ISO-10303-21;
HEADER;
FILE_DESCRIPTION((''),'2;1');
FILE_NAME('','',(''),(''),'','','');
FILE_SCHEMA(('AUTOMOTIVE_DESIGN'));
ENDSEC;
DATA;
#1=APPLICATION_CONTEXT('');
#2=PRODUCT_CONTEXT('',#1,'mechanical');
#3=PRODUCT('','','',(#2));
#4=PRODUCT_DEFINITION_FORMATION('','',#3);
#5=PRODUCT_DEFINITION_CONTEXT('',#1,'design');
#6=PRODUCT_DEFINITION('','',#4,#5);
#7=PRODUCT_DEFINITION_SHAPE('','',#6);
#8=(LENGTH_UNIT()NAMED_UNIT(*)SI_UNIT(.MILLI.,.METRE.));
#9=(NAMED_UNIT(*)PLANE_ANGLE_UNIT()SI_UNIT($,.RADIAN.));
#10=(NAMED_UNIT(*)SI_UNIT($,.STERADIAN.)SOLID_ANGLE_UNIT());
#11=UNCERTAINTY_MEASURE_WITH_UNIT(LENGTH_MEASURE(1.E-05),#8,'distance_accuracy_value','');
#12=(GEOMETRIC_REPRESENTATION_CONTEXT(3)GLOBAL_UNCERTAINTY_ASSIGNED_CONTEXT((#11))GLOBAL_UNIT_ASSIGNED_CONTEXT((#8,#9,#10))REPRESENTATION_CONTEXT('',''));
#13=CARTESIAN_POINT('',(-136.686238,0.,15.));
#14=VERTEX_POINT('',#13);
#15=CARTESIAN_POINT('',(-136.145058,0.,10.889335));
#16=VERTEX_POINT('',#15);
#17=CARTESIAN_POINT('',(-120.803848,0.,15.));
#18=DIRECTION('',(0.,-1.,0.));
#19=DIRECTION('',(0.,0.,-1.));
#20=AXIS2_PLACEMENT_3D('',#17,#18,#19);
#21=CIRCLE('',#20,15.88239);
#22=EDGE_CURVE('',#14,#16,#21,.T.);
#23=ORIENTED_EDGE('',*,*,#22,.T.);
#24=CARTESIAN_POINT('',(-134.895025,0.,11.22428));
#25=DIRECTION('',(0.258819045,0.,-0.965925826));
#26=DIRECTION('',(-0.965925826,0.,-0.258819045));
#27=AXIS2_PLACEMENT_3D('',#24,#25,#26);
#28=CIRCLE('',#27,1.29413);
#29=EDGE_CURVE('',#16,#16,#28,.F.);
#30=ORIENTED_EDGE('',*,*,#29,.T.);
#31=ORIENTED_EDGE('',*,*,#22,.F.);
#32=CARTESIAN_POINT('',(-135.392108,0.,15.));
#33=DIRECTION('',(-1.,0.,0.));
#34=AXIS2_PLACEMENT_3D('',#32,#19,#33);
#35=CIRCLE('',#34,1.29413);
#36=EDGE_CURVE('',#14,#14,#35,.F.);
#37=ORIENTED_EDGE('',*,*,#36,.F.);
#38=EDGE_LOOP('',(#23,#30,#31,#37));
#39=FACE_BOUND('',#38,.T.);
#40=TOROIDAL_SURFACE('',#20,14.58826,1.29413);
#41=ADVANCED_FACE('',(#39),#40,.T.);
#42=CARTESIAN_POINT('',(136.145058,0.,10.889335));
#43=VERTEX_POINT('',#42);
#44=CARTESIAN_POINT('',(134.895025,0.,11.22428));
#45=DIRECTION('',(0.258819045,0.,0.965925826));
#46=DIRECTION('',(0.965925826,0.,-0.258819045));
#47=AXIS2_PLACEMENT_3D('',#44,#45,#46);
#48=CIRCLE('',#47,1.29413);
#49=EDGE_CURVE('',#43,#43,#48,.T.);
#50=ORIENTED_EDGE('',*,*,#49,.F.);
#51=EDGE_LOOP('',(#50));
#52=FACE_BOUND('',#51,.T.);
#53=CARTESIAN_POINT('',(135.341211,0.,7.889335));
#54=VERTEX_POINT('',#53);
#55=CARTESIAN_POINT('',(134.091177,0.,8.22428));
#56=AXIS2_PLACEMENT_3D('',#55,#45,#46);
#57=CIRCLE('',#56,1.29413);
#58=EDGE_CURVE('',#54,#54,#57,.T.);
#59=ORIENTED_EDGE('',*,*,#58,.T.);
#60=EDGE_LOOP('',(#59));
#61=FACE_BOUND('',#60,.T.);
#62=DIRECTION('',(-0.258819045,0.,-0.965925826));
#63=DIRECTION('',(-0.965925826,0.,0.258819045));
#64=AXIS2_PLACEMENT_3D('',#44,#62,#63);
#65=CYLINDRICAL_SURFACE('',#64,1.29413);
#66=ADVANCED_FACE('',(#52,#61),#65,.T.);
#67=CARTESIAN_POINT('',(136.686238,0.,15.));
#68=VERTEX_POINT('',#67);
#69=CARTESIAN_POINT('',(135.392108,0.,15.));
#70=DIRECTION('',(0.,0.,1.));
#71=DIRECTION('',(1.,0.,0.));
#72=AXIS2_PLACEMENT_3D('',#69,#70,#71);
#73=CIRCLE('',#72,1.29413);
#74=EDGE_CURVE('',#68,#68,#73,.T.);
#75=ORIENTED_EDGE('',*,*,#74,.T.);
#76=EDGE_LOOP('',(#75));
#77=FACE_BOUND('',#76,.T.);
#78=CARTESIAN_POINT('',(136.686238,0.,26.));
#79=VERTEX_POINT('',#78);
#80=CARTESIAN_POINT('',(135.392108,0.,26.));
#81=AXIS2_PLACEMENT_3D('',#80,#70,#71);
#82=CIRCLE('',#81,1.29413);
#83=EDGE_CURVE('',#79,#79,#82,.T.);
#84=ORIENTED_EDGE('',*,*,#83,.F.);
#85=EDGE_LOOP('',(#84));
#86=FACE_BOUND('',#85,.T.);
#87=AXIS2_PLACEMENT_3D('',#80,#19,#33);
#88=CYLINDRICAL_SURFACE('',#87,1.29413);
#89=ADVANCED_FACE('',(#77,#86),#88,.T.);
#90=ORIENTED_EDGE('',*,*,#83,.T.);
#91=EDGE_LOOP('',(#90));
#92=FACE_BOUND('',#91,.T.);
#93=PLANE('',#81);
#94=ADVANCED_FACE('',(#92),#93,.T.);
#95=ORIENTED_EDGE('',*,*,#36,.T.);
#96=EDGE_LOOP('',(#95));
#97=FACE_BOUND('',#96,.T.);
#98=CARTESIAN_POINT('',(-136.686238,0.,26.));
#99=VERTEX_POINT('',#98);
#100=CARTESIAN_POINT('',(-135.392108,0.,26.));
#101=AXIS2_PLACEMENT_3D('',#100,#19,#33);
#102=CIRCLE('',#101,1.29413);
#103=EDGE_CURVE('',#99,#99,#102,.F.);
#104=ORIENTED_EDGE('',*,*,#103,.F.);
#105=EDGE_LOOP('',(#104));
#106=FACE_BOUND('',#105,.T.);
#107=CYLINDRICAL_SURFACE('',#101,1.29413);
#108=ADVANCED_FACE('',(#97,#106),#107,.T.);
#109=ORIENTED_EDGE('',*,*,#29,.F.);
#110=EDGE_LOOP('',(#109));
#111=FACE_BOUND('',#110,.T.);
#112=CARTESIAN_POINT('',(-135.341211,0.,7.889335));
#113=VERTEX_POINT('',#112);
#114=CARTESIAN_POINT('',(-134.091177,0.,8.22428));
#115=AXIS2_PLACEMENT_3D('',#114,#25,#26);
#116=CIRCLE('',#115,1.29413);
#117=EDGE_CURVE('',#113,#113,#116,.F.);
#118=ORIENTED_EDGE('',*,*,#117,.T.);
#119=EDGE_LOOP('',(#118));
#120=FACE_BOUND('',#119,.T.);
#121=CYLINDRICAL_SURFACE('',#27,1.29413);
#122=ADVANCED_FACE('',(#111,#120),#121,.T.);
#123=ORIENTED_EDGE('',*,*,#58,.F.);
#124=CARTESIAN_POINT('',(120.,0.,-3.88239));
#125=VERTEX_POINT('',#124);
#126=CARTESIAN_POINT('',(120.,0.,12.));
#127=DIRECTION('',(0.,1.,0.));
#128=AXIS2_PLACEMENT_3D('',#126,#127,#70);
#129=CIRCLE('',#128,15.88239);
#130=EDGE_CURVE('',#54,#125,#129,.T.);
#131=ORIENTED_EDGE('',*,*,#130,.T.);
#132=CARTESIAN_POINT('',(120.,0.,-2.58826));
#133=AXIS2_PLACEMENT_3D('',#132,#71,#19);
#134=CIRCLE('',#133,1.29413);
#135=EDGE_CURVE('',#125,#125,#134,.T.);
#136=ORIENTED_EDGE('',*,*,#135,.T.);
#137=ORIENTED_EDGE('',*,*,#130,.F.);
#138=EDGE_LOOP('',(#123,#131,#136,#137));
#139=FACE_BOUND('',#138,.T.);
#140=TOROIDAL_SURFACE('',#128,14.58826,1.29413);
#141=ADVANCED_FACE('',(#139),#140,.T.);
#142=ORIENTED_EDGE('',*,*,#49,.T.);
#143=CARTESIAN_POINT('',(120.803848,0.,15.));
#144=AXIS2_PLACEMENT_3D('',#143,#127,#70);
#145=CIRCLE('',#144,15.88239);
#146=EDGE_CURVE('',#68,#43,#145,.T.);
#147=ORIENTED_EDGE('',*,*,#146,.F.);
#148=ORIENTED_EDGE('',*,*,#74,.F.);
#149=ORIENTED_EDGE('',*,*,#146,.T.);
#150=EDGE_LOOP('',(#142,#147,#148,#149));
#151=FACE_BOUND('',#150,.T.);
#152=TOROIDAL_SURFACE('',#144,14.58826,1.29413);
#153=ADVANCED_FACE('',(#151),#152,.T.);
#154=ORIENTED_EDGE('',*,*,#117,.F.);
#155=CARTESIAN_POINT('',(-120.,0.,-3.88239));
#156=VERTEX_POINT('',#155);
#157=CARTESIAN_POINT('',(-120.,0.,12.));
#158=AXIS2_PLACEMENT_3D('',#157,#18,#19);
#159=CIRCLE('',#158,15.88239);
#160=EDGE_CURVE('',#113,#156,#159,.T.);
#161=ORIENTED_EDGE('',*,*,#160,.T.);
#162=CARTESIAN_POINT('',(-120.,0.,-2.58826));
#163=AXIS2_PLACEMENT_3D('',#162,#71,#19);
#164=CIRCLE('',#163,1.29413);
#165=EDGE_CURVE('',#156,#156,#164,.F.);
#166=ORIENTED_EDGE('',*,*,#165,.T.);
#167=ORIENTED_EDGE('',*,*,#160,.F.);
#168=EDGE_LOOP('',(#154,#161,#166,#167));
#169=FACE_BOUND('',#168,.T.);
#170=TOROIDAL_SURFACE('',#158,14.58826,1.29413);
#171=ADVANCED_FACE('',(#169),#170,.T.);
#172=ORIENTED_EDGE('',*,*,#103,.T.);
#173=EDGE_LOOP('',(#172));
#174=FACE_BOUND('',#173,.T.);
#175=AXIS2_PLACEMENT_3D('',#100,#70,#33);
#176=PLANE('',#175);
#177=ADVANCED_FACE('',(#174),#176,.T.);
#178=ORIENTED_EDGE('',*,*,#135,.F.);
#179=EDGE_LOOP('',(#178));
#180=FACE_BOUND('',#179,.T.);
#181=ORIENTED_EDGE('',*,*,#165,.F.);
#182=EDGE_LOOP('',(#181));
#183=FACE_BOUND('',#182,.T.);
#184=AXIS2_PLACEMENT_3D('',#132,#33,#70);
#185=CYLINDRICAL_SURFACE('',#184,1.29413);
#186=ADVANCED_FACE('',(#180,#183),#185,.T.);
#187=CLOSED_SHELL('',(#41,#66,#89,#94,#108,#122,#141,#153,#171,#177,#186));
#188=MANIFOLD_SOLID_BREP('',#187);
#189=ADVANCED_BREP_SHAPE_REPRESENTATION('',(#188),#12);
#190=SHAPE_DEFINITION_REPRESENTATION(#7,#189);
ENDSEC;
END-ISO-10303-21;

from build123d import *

# Parameters (mm, degrees)
SKETCH2_R = 1.29413


with BuildPart() as part:
    # Sweep1: sweep along a path in Sketch1
    with BuildLine(Plane(origin=(0, 0, 0), x_dir=(1, 0, 0), z_dir=(0, 1, 0))) as sweep1_path:
        Line((0, 2.58826), (120, 2.58826))
        ThreePointArc((120, 2.58826), (128.880770004, -0.4263552), (134.091177095, -8.224280477))
        Line((134.091177095, -8.224280477), (134.895024672, -11.224280477))
        ThreePointArc((134.895024672, -11.224280477), (135.267302991, -13.095849971), (135.392107577, -15))
        Line((135.392107577, -15), (135.392107577, -26))
    # Sketch2 → Sweep1 (sweep)
    with BuildSketch(Plane(origin=(0, 0, 0), x_dir=(0, 0, -1), z_dir=(1, 0, 0))):
        with Locations((2.58826, 0)):
            Circle(SKETCH2_R)
    sweep1 = sweep(path=sweep1_path.line)

    # Mirror1: Sweep1 across plane
    add(sweep1.mirror(Plane(origin=(0, 0, 0), x_dir=(0, 0, 1), z_dir=(1, 0, 0))))


solid = part.part
